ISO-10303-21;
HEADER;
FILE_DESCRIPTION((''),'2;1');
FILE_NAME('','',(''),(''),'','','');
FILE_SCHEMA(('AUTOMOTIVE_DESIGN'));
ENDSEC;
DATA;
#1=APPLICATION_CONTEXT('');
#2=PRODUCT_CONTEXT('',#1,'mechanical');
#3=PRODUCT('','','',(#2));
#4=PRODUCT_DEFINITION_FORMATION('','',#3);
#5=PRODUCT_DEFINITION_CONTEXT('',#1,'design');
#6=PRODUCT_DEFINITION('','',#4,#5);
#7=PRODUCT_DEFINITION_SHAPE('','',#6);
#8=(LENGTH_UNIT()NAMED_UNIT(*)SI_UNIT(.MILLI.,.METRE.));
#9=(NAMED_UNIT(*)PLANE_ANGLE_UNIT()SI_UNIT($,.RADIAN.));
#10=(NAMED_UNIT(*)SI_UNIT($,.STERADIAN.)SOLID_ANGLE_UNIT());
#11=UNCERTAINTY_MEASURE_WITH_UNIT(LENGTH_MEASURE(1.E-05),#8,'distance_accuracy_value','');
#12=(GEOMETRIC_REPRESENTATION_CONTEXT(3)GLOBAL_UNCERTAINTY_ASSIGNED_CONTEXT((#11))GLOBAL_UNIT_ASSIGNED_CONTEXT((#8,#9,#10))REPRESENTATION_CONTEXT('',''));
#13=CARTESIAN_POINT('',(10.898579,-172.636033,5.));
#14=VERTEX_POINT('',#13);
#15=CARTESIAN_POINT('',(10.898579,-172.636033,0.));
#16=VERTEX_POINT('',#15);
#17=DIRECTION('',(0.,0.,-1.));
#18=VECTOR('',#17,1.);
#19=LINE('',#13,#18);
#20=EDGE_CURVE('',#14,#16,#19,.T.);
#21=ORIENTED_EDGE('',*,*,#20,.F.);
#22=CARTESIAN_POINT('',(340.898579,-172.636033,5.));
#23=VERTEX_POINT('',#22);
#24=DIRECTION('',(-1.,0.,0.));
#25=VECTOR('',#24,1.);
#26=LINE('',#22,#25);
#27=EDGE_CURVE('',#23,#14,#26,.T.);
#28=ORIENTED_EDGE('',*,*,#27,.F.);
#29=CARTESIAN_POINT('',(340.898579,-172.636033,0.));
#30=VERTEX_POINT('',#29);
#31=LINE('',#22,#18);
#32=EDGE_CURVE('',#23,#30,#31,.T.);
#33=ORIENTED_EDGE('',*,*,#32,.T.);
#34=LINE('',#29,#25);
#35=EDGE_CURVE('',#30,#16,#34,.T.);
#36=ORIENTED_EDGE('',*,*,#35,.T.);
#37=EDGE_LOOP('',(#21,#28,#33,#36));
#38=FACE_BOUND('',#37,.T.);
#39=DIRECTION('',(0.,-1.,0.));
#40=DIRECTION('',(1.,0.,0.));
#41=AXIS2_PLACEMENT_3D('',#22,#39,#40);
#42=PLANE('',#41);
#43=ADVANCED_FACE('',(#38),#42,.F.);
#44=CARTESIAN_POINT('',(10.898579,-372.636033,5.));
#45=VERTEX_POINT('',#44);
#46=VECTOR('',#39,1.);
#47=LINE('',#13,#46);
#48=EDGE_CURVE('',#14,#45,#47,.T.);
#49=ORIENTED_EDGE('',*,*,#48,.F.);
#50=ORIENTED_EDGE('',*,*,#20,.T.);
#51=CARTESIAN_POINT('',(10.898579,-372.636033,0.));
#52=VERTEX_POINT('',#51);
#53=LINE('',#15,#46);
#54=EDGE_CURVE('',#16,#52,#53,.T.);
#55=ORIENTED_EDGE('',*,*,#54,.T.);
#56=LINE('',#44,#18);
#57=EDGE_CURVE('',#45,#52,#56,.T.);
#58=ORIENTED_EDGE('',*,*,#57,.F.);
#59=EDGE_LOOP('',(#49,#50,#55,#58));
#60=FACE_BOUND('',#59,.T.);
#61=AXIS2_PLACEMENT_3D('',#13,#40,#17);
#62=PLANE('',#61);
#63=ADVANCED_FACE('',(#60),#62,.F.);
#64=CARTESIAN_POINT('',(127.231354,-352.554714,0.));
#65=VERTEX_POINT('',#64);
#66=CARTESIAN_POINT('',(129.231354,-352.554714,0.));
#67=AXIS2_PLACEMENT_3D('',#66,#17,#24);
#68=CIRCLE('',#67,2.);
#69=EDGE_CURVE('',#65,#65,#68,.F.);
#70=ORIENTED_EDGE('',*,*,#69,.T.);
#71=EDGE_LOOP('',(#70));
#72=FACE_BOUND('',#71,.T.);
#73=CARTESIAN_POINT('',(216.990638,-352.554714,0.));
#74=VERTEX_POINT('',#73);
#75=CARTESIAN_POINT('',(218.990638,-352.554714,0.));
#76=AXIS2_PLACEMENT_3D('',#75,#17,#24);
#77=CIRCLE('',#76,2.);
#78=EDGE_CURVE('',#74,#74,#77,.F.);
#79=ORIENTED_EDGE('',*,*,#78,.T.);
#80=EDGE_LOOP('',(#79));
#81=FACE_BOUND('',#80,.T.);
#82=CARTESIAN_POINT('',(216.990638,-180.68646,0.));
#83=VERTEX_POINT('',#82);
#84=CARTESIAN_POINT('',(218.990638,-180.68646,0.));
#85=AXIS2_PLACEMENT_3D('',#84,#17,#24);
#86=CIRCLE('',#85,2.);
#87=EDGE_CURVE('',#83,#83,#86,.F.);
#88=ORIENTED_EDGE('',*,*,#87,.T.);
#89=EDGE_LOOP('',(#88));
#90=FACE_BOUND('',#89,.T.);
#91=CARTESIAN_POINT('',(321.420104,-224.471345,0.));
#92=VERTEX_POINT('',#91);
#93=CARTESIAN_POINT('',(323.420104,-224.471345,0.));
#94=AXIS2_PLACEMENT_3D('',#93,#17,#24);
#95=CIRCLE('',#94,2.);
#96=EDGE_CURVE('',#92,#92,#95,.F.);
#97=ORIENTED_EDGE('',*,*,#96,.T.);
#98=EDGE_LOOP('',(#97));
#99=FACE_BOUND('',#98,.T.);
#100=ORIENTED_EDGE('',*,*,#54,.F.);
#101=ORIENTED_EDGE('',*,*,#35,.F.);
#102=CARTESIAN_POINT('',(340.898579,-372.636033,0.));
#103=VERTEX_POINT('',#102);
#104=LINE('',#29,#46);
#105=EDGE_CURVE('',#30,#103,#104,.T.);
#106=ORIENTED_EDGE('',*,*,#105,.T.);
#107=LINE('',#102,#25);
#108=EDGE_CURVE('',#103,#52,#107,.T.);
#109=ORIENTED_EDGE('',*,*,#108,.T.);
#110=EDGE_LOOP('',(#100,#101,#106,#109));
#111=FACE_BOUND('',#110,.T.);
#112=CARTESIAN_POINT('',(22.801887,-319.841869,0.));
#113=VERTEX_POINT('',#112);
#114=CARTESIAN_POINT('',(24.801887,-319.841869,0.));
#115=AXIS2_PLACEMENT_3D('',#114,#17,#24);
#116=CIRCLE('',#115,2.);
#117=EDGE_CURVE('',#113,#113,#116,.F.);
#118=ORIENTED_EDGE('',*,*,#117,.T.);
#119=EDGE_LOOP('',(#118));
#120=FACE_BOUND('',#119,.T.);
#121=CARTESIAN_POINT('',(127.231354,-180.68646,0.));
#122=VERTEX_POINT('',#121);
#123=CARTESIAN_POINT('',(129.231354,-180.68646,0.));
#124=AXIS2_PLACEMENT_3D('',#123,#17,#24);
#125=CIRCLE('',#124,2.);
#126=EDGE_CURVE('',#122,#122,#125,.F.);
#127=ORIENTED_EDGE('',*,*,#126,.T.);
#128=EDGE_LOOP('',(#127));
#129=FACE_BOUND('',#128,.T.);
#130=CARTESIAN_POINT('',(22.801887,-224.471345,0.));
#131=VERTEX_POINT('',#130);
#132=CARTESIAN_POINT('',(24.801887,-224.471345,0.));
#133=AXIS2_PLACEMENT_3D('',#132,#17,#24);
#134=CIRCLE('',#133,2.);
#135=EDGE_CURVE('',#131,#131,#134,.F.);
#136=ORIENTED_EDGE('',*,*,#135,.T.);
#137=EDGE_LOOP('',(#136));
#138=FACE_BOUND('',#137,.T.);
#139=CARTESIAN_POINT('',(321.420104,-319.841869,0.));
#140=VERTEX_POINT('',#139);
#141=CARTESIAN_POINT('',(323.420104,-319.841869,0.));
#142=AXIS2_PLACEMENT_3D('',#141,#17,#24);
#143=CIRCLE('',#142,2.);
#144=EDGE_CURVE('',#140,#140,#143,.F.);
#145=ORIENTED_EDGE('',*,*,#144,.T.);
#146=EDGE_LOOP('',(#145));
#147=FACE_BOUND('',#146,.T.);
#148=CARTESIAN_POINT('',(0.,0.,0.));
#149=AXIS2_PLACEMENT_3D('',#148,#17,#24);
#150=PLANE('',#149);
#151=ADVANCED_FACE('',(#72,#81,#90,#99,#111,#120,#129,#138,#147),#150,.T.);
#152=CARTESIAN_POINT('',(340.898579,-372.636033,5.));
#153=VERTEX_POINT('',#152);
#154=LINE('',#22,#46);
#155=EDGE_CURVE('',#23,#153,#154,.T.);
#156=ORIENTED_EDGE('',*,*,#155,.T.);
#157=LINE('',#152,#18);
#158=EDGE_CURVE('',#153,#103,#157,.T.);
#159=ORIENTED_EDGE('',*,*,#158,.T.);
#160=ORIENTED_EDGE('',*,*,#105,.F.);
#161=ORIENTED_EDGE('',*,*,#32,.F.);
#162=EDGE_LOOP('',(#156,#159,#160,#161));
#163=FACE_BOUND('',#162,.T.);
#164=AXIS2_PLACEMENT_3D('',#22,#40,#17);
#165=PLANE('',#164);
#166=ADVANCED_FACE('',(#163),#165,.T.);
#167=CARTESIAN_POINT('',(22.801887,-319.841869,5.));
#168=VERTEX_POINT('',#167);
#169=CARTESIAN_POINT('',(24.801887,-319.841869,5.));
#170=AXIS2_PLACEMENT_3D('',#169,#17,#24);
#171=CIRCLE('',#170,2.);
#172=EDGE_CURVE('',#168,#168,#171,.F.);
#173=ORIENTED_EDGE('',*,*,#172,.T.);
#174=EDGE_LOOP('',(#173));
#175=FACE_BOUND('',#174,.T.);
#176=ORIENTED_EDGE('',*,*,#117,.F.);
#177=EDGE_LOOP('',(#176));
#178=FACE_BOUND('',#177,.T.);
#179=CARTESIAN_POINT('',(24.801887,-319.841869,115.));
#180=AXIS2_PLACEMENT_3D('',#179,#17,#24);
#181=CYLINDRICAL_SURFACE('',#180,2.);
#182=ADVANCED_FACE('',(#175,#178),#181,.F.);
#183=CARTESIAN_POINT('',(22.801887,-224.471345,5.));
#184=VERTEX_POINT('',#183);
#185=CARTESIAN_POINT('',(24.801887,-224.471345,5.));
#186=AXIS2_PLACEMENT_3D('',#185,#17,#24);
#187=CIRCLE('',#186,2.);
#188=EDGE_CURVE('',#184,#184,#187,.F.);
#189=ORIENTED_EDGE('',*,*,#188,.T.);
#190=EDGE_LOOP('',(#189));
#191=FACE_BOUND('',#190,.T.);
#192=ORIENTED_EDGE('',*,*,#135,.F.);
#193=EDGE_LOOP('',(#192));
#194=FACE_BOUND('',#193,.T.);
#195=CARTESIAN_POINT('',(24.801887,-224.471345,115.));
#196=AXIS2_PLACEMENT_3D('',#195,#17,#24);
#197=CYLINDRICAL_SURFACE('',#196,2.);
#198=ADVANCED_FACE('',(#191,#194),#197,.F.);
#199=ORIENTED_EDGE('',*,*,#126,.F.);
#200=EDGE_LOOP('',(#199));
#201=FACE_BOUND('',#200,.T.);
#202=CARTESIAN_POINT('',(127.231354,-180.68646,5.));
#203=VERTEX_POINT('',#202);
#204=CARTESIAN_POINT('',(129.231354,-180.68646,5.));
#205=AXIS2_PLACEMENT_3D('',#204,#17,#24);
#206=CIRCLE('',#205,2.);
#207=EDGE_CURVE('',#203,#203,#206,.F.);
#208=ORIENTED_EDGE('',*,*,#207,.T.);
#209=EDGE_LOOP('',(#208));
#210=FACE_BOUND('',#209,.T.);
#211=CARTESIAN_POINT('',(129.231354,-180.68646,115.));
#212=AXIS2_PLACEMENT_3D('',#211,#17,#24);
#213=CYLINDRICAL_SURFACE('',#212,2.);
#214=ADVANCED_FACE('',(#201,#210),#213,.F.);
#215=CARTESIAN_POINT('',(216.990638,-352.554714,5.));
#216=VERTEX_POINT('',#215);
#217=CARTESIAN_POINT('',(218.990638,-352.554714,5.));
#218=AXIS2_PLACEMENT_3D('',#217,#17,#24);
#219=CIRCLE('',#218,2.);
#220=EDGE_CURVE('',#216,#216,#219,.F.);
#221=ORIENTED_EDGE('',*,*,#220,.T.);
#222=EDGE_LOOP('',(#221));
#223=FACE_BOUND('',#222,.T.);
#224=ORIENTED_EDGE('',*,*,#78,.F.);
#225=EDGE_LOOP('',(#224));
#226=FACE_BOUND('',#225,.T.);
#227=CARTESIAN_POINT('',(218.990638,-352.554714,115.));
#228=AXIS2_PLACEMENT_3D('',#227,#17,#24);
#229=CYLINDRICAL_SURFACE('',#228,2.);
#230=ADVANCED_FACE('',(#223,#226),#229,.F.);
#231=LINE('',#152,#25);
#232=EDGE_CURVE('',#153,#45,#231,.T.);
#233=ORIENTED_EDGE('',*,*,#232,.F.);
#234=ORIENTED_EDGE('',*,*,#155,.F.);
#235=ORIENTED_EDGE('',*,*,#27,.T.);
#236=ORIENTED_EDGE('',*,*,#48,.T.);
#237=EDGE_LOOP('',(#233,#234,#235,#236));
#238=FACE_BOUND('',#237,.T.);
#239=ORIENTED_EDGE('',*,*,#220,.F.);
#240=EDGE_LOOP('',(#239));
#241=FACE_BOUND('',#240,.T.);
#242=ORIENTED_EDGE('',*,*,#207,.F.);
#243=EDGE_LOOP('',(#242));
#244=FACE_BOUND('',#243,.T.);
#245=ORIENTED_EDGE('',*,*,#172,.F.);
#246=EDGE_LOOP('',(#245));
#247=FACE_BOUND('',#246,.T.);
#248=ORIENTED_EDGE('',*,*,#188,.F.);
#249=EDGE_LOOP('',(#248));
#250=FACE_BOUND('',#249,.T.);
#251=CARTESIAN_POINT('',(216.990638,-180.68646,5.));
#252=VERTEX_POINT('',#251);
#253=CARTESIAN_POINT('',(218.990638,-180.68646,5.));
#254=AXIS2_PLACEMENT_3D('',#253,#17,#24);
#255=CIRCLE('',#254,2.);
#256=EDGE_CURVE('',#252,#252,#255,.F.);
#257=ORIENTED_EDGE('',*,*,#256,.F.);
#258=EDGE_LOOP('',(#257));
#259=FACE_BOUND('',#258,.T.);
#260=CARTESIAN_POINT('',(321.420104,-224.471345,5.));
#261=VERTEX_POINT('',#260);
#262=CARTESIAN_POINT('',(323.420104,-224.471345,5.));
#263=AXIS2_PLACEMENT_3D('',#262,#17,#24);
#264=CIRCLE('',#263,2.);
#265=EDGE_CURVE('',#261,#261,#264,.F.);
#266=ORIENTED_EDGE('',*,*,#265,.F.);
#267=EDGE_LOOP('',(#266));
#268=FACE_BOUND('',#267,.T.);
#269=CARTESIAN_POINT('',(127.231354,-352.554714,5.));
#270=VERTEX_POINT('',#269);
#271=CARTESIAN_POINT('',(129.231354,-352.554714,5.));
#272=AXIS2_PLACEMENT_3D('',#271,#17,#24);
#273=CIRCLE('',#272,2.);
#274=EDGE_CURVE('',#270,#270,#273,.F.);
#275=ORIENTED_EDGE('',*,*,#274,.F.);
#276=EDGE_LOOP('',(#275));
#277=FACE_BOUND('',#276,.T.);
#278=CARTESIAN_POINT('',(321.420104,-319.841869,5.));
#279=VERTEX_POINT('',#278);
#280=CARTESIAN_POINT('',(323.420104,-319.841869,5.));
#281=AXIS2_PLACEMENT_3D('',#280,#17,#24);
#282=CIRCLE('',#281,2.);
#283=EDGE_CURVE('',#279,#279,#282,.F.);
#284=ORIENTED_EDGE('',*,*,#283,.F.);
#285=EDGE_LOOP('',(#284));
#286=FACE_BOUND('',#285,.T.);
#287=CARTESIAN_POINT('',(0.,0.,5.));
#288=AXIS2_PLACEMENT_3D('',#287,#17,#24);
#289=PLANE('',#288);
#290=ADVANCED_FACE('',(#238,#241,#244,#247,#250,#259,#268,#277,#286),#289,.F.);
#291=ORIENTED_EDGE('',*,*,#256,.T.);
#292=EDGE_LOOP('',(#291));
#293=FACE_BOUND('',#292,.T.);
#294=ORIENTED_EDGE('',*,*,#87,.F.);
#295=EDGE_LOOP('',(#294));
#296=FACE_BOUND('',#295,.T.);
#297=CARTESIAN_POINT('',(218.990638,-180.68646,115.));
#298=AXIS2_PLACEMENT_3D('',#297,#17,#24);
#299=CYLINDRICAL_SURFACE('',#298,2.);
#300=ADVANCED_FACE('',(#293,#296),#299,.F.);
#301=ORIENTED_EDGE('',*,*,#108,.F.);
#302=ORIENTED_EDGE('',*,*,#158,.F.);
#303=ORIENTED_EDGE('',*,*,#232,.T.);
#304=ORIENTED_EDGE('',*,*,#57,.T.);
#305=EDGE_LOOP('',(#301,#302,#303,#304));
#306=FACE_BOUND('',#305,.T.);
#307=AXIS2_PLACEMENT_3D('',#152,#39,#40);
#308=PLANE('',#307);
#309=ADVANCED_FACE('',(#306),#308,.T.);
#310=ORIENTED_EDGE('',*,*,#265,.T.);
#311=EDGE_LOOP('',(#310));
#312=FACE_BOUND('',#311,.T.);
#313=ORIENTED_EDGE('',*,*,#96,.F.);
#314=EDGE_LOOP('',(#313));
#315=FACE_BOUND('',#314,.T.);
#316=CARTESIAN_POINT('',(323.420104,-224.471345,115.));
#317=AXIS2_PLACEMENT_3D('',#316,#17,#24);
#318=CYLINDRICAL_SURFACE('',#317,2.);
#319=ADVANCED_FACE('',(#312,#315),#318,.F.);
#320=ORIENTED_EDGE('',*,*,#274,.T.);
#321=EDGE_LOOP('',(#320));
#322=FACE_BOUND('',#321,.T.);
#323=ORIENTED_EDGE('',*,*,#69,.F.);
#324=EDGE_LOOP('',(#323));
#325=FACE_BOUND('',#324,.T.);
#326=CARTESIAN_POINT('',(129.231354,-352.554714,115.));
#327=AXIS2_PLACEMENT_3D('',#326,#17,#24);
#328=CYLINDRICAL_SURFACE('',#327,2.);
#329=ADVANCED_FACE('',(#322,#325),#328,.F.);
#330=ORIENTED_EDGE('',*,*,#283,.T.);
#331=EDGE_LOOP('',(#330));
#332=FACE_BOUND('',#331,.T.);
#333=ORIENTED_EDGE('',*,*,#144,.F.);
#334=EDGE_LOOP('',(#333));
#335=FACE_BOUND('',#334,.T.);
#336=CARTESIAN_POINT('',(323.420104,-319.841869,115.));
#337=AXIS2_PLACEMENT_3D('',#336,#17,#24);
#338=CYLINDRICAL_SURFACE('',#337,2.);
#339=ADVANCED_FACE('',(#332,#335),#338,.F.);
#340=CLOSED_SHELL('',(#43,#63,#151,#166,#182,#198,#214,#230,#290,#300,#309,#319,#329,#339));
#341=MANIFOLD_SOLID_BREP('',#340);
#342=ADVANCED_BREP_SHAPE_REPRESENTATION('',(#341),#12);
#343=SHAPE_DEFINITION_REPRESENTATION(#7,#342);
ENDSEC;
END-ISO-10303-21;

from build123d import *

# Parameters (mm, degrees)
SKETCH1_W               = 330
SKETCH1_H               = 200
BOSS_EXTRUDE1_DEPTH     = 5
CUT_EXTRUDE1_DEPTH      = 110
CUT_EXTRUDE1_DEPTH_BACK = 10
SKETCH2_R               = 2


with BuildPart() as part:
    # Sketch1 → Boss-Extrude1 (new body)
    with BuildSketch(Plane.XY):
        with Locations((175.898578828, -272.636032505)):
            Rectangle(SKETCH1_W, SKETCH1_H)
    extrude(amount=BOSS_EXTRUDE1_DEPTH)

    # Sketch2 → Cut-Extrude1 (cut, two sides: drawn at the far end of the back side and taken through both)
    with BuildSketch(Plane.XY.offset(5).offset(-CUT_EXTRUDE1_DEPTH_BACK)):
        with Locations(Location((24.801887312, -224.471344643, 0), (0, 0, 180))):
            Circle(SKETCH2_R)
        with Locations(Location((24.801887312, -319.841869215, 0), (0, 0, 180))):
            Circle(SKETCH2_R)
        with Locations(Location((129.231353532, -180.68646001, 0), (0, 0, 180))):
            Circle(SKETCH2_R)
        with Locations(Location((129.231353532, -352.554714055, 0), (0, 0, 180))):
            Circle(SKETCH2_R)
        with Locations(Location((218.990638171, -352.554714055, 0), (0, 0, 180))):
            Circle(SKETCH2_R)
        with Locations(Location((323.420104391, -319.841869215, 0), (0, 0, 180))):
            Circle(SKETCH2_R)
        with Locations(Location((323.420104391, -224.471344643, 0), (0, 0, 180))):
            Circle(SKETCH2_R)
        with Locations(Location((218.990638171, -180.68646001, 0), (0, 0, 180))):
            Circle(SKETCH2_R)
    extrude(amount=CUT_EXTRUDE1_DEPTH + CUT_EXTRUDE1_DEPTH_BACK, mode=Mode.SUBTRACT)


solid = part.part
